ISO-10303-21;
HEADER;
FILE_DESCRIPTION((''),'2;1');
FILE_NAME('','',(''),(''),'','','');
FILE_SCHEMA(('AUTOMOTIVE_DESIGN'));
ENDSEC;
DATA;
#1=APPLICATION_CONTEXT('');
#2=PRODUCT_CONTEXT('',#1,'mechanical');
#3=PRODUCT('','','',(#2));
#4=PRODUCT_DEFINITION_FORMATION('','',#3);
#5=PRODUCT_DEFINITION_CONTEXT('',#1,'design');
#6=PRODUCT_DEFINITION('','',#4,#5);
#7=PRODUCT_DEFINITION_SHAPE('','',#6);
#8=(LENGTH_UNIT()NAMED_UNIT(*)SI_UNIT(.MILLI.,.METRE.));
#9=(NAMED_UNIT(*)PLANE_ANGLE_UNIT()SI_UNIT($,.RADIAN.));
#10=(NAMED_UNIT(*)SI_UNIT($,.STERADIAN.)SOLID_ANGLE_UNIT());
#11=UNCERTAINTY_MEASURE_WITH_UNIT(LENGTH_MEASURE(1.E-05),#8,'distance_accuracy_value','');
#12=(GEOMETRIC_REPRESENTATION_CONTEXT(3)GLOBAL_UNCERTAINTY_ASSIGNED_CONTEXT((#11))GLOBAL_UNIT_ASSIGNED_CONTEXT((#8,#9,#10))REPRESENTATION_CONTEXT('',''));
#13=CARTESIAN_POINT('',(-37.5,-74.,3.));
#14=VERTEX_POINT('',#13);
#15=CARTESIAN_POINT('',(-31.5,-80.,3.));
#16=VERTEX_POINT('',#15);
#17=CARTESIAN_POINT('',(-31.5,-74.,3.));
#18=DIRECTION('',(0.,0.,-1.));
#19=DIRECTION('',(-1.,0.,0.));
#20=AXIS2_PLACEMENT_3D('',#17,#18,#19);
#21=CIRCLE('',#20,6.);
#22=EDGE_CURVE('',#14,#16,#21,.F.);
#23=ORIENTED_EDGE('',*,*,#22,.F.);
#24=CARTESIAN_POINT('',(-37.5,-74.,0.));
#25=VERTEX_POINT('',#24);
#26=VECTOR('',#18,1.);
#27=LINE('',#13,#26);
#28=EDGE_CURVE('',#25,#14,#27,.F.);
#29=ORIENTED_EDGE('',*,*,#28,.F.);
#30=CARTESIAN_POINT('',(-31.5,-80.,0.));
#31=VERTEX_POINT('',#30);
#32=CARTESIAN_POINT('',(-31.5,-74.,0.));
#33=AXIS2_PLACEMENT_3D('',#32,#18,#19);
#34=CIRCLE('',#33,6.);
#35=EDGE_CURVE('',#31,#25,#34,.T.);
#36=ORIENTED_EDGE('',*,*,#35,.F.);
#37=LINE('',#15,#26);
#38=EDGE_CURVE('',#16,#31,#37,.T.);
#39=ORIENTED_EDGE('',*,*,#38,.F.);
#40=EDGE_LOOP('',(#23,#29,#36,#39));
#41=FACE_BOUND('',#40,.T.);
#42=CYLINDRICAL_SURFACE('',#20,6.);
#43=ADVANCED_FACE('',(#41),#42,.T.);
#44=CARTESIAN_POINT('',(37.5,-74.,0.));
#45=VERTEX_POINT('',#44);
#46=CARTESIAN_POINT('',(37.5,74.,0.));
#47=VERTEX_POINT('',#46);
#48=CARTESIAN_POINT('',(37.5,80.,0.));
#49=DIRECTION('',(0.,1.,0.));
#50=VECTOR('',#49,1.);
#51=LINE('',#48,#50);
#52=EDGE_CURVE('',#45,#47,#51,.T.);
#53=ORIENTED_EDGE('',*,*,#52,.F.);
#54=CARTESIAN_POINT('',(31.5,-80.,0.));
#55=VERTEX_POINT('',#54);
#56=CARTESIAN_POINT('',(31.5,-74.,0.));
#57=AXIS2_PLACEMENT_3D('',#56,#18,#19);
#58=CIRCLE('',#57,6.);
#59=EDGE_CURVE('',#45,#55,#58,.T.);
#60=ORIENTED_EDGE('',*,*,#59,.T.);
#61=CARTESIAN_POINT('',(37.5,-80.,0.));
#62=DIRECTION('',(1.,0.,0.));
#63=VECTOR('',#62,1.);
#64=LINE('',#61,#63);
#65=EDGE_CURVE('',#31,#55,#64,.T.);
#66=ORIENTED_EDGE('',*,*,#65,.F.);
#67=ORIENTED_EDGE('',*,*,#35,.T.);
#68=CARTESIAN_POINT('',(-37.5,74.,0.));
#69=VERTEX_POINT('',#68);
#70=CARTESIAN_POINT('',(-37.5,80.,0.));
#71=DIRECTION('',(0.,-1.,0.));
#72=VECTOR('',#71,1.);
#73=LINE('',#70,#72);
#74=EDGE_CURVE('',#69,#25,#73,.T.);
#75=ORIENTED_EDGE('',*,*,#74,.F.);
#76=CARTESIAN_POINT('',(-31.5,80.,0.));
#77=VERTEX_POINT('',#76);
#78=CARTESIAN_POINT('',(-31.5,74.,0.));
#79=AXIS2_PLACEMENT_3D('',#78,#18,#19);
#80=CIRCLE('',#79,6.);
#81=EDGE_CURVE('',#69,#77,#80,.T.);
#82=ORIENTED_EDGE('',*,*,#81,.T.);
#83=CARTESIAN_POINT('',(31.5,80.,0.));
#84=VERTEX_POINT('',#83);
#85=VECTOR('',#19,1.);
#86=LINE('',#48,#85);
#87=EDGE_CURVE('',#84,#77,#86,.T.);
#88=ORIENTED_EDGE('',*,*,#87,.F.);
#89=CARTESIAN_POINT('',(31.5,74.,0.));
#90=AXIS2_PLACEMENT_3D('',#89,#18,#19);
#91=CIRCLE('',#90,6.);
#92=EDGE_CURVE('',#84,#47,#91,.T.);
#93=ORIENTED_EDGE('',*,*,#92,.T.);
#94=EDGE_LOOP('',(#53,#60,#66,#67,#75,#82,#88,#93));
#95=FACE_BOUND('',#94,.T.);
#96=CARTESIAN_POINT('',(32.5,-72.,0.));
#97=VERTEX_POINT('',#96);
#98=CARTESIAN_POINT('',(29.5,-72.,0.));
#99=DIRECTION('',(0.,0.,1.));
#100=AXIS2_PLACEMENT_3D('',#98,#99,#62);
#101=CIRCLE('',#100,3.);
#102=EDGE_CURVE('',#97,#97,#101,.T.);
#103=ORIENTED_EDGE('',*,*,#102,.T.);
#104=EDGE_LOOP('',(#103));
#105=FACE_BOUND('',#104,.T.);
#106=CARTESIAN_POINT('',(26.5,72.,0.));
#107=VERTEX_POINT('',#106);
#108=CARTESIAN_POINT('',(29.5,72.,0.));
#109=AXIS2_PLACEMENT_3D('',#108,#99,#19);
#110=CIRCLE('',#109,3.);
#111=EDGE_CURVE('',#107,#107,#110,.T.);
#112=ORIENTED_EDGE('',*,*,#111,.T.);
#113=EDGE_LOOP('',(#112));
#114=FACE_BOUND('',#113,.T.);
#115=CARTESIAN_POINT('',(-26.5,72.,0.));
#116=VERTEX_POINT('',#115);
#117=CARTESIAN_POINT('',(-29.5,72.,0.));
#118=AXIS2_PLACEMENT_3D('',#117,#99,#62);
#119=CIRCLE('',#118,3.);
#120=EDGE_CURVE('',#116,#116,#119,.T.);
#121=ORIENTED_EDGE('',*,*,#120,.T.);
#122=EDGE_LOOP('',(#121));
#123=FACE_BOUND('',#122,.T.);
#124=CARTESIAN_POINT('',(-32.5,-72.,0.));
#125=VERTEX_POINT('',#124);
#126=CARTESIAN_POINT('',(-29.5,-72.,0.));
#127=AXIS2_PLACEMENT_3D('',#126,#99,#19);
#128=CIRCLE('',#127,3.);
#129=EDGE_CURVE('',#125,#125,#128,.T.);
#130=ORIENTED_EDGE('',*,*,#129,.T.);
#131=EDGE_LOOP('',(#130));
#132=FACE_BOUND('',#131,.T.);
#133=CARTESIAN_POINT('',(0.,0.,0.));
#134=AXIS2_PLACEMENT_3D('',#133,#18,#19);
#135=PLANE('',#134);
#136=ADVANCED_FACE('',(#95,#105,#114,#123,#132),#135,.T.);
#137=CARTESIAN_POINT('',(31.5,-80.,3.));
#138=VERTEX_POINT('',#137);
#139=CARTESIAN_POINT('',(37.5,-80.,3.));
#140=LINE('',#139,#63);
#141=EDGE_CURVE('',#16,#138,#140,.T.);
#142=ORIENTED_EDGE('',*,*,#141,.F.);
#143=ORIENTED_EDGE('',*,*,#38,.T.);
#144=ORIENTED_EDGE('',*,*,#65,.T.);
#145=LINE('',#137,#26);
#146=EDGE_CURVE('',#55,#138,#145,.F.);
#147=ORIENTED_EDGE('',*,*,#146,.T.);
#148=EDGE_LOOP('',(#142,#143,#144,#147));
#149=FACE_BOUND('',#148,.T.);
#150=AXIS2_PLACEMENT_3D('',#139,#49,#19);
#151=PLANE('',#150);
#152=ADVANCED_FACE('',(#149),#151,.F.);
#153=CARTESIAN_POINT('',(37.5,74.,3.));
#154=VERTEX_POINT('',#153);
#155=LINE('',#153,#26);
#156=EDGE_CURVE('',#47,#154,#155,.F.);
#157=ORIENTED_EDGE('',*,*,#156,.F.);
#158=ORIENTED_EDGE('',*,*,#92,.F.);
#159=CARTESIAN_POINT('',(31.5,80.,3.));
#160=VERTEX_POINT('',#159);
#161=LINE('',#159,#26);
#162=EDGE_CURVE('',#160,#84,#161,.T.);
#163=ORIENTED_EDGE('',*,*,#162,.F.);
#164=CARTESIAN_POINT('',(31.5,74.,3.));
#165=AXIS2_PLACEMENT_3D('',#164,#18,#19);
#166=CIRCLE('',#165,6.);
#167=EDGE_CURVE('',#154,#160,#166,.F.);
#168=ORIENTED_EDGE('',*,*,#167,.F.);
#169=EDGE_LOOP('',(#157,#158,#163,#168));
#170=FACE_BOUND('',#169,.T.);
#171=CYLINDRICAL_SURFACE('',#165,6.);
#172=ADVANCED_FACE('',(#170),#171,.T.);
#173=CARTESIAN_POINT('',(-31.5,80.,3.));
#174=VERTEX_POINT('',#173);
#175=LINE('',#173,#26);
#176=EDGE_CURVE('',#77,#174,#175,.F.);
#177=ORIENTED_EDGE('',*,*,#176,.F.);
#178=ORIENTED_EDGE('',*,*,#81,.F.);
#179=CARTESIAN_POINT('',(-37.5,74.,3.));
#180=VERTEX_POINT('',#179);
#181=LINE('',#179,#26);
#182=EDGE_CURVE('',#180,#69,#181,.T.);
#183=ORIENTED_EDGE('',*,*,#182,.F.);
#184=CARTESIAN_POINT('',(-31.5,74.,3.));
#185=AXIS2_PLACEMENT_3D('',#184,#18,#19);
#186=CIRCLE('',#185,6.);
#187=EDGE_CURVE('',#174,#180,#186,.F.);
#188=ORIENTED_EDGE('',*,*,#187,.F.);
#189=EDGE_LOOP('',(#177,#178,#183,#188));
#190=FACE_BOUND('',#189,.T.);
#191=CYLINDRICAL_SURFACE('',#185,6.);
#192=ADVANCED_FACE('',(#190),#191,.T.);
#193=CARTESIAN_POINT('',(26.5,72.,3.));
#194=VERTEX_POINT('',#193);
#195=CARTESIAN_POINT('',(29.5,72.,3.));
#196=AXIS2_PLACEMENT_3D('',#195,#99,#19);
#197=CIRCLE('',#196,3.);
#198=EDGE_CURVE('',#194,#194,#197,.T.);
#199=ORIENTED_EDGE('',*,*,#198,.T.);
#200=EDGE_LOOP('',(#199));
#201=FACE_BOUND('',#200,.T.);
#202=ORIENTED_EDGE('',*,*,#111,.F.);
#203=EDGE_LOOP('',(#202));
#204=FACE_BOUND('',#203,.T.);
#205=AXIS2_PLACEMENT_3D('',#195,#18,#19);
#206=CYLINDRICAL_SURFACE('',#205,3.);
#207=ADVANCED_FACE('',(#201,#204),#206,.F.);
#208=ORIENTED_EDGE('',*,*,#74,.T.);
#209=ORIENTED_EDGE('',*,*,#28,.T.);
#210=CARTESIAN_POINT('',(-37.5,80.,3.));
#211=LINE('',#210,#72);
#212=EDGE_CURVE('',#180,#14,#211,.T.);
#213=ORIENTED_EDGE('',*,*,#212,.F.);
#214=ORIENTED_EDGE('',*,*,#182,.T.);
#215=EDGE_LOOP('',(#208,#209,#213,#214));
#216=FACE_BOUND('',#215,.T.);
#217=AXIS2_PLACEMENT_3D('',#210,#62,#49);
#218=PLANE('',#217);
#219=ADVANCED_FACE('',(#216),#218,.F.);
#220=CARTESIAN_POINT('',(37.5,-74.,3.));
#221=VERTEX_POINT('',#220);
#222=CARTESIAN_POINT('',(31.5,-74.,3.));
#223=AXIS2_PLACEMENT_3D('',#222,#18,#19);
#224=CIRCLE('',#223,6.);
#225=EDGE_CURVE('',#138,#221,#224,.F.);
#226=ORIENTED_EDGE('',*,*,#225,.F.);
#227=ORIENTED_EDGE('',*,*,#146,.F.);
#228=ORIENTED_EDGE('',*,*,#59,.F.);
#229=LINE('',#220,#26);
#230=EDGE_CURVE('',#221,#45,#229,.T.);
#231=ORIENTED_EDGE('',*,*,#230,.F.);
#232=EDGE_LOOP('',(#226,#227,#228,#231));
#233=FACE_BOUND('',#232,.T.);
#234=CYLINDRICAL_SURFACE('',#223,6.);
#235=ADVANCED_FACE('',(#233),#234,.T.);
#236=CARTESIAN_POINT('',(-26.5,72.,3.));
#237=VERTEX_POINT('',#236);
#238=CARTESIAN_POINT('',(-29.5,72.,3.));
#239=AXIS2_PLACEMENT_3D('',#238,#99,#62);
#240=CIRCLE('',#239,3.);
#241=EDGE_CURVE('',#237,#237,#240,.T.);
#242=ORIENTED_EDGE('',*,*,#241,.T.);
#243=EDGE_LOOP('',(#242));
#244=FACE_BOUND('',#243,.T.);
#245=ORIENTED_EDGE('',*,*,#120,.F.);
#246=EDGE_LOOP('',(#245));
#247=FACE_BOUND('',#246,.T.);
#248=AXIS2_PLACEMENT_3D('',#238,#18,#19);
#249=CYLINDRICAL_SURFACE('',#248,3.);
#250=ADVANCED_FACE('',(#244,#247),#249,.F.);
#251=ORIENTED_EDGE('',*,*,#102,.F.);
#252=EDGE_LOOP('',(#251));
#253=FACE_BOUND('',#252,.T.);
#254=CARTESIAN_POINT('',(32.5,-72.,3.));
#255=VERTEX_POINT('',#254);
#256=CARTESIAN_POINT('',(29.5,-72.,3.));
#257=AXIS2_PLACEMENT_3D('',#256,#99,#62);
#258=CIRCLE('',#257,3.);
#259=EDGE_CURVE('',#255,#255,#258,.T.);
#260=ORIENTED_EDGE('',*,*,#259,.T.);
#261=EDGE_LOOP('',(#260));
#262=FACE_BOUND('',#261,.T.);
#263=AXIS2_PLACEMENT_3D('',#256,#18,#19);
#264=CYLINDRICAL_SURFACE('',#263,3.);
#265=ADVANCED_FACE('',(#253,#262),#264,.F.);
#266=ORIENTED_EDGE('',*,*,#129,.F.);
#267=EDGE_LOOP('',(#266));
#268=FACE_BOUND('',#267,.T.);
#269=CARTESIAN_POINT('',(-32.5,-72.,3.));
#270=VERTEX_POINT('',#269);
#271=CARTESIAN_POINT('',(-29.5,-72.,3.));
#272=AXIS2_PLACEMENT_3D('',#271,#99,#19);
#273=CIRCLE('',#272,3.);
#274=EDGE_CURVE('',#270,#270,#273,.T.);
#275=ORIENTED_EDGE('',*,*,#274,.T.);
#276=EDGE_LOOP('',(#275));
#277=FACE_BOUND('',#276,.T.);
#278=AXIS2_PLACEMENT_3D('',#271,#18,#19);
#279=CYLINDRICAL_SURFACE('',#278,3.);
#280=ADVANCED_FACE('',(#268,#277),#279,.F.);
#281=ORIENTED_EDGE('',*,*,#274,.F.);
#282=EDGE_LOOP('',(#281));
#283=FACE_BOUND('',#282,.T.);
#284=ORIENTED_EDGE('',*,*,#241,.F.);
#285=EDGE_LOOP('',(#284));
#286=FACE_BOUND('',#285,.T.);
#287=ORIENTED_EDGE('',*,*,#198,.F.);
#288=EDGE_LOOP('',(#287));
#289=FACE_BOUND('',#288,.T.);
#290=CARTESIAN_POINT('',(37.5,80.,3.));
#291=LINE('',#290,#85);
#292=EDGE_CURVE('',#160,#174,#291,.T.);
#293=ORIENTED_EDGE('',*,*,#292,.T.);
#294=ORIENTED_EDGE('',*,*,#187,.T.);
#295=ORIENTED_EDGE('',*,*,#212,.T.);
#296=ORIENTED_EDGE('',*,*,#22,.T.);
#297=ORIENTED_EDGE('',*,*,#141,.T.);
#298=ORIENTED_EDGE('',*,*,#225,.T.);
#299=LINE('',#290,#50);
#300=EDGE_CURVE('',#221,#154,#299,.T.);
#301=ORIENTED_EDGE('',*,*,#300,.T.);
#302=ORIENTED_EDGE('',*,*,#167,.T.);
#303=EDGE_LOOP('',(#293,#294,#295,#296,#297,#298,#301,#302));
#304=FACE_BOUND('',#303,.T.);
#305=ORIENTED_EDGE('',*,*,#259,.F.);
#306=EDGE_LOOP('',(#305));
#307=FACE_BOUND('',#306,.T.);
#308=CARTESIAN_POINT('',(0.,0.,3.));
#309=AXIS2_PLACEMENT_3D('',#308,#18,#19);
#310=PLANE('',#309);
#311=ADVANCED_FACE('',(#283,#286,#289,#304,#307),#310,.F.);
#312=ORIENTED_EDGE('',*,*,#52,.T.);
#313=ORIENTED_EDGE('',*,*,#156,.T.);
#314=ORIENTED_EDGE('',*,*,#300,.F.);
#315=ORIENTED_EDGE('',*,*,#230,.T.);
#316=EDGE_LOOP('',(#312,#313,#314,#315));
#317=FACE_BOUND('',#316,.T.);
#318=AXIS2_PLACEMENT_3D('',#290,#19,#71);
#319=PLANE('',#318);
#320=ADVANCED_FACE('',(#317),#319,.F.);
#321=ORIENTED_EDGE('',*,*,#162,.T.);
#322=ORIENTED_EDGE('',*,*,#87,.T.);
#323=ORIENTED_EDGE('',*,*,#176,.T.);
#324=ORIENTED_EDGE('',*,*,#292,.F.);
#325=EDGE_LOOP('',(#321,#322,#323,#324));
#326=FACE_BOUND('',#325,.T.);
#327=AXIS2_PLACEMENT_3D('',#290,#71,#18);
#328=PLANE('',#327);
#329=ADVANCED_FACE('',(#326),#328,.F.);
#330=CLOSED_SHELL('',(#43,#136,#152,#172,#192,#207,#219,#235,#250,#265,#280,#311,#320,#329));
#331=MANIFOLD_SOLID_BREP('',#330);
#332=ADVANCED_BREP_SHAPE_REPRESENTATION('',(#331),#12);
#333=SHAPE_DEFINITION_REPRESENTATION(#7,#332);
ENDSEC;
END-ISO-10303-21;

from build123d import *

# Parameters (mm, degrees)
CROQUIS1_W              = 75
CROQUIS1_H              = 160
CROQUIS1_R              = 3
SALIENTE_EXTRUIR1_DEPTH = 3
REDONDEO1_R             = 6


with BuildPart() as part:
    # Croquis1 → Saliente-Extruir1 (new body)
    with BuildSketch(Plane.XY):
        Rectangle(CROQUIS1_W, CROQUIS1_H)
        with Locations((-29.5, 72)):
            Circle(CROQUIS1_R, mode=Mode.SUBTRACT)
        with Locations((29.5, 72)):
            Circle(CROQUIS1_R, mode=Mode.SUBTRACT)
        with Locations((-29.5, -72)):
            Circle(CROQUIS1_R, mode=Mode.SUBTRACT)
        with Locations((29.5, -72)):
            Circle(CROQUIS1_R, mode=Mode.SUBTRACT)
    extrude(amount=SALIENTE_EXTRUIR1_DEPTH)

    # Redondeo1
    redondeo1_edges = [part.edges().sort_by_distance(p)[0] for p in [
        (-37.5, 80, 1.5),
        (37.5, 80, 1.5),
        (37.5, -80, 1.5),
        (-37.5, -80, 1.5),
    ]]
    fillet(redondeo1_edges, radius=REDONDEO1_R)


solid = part.part
